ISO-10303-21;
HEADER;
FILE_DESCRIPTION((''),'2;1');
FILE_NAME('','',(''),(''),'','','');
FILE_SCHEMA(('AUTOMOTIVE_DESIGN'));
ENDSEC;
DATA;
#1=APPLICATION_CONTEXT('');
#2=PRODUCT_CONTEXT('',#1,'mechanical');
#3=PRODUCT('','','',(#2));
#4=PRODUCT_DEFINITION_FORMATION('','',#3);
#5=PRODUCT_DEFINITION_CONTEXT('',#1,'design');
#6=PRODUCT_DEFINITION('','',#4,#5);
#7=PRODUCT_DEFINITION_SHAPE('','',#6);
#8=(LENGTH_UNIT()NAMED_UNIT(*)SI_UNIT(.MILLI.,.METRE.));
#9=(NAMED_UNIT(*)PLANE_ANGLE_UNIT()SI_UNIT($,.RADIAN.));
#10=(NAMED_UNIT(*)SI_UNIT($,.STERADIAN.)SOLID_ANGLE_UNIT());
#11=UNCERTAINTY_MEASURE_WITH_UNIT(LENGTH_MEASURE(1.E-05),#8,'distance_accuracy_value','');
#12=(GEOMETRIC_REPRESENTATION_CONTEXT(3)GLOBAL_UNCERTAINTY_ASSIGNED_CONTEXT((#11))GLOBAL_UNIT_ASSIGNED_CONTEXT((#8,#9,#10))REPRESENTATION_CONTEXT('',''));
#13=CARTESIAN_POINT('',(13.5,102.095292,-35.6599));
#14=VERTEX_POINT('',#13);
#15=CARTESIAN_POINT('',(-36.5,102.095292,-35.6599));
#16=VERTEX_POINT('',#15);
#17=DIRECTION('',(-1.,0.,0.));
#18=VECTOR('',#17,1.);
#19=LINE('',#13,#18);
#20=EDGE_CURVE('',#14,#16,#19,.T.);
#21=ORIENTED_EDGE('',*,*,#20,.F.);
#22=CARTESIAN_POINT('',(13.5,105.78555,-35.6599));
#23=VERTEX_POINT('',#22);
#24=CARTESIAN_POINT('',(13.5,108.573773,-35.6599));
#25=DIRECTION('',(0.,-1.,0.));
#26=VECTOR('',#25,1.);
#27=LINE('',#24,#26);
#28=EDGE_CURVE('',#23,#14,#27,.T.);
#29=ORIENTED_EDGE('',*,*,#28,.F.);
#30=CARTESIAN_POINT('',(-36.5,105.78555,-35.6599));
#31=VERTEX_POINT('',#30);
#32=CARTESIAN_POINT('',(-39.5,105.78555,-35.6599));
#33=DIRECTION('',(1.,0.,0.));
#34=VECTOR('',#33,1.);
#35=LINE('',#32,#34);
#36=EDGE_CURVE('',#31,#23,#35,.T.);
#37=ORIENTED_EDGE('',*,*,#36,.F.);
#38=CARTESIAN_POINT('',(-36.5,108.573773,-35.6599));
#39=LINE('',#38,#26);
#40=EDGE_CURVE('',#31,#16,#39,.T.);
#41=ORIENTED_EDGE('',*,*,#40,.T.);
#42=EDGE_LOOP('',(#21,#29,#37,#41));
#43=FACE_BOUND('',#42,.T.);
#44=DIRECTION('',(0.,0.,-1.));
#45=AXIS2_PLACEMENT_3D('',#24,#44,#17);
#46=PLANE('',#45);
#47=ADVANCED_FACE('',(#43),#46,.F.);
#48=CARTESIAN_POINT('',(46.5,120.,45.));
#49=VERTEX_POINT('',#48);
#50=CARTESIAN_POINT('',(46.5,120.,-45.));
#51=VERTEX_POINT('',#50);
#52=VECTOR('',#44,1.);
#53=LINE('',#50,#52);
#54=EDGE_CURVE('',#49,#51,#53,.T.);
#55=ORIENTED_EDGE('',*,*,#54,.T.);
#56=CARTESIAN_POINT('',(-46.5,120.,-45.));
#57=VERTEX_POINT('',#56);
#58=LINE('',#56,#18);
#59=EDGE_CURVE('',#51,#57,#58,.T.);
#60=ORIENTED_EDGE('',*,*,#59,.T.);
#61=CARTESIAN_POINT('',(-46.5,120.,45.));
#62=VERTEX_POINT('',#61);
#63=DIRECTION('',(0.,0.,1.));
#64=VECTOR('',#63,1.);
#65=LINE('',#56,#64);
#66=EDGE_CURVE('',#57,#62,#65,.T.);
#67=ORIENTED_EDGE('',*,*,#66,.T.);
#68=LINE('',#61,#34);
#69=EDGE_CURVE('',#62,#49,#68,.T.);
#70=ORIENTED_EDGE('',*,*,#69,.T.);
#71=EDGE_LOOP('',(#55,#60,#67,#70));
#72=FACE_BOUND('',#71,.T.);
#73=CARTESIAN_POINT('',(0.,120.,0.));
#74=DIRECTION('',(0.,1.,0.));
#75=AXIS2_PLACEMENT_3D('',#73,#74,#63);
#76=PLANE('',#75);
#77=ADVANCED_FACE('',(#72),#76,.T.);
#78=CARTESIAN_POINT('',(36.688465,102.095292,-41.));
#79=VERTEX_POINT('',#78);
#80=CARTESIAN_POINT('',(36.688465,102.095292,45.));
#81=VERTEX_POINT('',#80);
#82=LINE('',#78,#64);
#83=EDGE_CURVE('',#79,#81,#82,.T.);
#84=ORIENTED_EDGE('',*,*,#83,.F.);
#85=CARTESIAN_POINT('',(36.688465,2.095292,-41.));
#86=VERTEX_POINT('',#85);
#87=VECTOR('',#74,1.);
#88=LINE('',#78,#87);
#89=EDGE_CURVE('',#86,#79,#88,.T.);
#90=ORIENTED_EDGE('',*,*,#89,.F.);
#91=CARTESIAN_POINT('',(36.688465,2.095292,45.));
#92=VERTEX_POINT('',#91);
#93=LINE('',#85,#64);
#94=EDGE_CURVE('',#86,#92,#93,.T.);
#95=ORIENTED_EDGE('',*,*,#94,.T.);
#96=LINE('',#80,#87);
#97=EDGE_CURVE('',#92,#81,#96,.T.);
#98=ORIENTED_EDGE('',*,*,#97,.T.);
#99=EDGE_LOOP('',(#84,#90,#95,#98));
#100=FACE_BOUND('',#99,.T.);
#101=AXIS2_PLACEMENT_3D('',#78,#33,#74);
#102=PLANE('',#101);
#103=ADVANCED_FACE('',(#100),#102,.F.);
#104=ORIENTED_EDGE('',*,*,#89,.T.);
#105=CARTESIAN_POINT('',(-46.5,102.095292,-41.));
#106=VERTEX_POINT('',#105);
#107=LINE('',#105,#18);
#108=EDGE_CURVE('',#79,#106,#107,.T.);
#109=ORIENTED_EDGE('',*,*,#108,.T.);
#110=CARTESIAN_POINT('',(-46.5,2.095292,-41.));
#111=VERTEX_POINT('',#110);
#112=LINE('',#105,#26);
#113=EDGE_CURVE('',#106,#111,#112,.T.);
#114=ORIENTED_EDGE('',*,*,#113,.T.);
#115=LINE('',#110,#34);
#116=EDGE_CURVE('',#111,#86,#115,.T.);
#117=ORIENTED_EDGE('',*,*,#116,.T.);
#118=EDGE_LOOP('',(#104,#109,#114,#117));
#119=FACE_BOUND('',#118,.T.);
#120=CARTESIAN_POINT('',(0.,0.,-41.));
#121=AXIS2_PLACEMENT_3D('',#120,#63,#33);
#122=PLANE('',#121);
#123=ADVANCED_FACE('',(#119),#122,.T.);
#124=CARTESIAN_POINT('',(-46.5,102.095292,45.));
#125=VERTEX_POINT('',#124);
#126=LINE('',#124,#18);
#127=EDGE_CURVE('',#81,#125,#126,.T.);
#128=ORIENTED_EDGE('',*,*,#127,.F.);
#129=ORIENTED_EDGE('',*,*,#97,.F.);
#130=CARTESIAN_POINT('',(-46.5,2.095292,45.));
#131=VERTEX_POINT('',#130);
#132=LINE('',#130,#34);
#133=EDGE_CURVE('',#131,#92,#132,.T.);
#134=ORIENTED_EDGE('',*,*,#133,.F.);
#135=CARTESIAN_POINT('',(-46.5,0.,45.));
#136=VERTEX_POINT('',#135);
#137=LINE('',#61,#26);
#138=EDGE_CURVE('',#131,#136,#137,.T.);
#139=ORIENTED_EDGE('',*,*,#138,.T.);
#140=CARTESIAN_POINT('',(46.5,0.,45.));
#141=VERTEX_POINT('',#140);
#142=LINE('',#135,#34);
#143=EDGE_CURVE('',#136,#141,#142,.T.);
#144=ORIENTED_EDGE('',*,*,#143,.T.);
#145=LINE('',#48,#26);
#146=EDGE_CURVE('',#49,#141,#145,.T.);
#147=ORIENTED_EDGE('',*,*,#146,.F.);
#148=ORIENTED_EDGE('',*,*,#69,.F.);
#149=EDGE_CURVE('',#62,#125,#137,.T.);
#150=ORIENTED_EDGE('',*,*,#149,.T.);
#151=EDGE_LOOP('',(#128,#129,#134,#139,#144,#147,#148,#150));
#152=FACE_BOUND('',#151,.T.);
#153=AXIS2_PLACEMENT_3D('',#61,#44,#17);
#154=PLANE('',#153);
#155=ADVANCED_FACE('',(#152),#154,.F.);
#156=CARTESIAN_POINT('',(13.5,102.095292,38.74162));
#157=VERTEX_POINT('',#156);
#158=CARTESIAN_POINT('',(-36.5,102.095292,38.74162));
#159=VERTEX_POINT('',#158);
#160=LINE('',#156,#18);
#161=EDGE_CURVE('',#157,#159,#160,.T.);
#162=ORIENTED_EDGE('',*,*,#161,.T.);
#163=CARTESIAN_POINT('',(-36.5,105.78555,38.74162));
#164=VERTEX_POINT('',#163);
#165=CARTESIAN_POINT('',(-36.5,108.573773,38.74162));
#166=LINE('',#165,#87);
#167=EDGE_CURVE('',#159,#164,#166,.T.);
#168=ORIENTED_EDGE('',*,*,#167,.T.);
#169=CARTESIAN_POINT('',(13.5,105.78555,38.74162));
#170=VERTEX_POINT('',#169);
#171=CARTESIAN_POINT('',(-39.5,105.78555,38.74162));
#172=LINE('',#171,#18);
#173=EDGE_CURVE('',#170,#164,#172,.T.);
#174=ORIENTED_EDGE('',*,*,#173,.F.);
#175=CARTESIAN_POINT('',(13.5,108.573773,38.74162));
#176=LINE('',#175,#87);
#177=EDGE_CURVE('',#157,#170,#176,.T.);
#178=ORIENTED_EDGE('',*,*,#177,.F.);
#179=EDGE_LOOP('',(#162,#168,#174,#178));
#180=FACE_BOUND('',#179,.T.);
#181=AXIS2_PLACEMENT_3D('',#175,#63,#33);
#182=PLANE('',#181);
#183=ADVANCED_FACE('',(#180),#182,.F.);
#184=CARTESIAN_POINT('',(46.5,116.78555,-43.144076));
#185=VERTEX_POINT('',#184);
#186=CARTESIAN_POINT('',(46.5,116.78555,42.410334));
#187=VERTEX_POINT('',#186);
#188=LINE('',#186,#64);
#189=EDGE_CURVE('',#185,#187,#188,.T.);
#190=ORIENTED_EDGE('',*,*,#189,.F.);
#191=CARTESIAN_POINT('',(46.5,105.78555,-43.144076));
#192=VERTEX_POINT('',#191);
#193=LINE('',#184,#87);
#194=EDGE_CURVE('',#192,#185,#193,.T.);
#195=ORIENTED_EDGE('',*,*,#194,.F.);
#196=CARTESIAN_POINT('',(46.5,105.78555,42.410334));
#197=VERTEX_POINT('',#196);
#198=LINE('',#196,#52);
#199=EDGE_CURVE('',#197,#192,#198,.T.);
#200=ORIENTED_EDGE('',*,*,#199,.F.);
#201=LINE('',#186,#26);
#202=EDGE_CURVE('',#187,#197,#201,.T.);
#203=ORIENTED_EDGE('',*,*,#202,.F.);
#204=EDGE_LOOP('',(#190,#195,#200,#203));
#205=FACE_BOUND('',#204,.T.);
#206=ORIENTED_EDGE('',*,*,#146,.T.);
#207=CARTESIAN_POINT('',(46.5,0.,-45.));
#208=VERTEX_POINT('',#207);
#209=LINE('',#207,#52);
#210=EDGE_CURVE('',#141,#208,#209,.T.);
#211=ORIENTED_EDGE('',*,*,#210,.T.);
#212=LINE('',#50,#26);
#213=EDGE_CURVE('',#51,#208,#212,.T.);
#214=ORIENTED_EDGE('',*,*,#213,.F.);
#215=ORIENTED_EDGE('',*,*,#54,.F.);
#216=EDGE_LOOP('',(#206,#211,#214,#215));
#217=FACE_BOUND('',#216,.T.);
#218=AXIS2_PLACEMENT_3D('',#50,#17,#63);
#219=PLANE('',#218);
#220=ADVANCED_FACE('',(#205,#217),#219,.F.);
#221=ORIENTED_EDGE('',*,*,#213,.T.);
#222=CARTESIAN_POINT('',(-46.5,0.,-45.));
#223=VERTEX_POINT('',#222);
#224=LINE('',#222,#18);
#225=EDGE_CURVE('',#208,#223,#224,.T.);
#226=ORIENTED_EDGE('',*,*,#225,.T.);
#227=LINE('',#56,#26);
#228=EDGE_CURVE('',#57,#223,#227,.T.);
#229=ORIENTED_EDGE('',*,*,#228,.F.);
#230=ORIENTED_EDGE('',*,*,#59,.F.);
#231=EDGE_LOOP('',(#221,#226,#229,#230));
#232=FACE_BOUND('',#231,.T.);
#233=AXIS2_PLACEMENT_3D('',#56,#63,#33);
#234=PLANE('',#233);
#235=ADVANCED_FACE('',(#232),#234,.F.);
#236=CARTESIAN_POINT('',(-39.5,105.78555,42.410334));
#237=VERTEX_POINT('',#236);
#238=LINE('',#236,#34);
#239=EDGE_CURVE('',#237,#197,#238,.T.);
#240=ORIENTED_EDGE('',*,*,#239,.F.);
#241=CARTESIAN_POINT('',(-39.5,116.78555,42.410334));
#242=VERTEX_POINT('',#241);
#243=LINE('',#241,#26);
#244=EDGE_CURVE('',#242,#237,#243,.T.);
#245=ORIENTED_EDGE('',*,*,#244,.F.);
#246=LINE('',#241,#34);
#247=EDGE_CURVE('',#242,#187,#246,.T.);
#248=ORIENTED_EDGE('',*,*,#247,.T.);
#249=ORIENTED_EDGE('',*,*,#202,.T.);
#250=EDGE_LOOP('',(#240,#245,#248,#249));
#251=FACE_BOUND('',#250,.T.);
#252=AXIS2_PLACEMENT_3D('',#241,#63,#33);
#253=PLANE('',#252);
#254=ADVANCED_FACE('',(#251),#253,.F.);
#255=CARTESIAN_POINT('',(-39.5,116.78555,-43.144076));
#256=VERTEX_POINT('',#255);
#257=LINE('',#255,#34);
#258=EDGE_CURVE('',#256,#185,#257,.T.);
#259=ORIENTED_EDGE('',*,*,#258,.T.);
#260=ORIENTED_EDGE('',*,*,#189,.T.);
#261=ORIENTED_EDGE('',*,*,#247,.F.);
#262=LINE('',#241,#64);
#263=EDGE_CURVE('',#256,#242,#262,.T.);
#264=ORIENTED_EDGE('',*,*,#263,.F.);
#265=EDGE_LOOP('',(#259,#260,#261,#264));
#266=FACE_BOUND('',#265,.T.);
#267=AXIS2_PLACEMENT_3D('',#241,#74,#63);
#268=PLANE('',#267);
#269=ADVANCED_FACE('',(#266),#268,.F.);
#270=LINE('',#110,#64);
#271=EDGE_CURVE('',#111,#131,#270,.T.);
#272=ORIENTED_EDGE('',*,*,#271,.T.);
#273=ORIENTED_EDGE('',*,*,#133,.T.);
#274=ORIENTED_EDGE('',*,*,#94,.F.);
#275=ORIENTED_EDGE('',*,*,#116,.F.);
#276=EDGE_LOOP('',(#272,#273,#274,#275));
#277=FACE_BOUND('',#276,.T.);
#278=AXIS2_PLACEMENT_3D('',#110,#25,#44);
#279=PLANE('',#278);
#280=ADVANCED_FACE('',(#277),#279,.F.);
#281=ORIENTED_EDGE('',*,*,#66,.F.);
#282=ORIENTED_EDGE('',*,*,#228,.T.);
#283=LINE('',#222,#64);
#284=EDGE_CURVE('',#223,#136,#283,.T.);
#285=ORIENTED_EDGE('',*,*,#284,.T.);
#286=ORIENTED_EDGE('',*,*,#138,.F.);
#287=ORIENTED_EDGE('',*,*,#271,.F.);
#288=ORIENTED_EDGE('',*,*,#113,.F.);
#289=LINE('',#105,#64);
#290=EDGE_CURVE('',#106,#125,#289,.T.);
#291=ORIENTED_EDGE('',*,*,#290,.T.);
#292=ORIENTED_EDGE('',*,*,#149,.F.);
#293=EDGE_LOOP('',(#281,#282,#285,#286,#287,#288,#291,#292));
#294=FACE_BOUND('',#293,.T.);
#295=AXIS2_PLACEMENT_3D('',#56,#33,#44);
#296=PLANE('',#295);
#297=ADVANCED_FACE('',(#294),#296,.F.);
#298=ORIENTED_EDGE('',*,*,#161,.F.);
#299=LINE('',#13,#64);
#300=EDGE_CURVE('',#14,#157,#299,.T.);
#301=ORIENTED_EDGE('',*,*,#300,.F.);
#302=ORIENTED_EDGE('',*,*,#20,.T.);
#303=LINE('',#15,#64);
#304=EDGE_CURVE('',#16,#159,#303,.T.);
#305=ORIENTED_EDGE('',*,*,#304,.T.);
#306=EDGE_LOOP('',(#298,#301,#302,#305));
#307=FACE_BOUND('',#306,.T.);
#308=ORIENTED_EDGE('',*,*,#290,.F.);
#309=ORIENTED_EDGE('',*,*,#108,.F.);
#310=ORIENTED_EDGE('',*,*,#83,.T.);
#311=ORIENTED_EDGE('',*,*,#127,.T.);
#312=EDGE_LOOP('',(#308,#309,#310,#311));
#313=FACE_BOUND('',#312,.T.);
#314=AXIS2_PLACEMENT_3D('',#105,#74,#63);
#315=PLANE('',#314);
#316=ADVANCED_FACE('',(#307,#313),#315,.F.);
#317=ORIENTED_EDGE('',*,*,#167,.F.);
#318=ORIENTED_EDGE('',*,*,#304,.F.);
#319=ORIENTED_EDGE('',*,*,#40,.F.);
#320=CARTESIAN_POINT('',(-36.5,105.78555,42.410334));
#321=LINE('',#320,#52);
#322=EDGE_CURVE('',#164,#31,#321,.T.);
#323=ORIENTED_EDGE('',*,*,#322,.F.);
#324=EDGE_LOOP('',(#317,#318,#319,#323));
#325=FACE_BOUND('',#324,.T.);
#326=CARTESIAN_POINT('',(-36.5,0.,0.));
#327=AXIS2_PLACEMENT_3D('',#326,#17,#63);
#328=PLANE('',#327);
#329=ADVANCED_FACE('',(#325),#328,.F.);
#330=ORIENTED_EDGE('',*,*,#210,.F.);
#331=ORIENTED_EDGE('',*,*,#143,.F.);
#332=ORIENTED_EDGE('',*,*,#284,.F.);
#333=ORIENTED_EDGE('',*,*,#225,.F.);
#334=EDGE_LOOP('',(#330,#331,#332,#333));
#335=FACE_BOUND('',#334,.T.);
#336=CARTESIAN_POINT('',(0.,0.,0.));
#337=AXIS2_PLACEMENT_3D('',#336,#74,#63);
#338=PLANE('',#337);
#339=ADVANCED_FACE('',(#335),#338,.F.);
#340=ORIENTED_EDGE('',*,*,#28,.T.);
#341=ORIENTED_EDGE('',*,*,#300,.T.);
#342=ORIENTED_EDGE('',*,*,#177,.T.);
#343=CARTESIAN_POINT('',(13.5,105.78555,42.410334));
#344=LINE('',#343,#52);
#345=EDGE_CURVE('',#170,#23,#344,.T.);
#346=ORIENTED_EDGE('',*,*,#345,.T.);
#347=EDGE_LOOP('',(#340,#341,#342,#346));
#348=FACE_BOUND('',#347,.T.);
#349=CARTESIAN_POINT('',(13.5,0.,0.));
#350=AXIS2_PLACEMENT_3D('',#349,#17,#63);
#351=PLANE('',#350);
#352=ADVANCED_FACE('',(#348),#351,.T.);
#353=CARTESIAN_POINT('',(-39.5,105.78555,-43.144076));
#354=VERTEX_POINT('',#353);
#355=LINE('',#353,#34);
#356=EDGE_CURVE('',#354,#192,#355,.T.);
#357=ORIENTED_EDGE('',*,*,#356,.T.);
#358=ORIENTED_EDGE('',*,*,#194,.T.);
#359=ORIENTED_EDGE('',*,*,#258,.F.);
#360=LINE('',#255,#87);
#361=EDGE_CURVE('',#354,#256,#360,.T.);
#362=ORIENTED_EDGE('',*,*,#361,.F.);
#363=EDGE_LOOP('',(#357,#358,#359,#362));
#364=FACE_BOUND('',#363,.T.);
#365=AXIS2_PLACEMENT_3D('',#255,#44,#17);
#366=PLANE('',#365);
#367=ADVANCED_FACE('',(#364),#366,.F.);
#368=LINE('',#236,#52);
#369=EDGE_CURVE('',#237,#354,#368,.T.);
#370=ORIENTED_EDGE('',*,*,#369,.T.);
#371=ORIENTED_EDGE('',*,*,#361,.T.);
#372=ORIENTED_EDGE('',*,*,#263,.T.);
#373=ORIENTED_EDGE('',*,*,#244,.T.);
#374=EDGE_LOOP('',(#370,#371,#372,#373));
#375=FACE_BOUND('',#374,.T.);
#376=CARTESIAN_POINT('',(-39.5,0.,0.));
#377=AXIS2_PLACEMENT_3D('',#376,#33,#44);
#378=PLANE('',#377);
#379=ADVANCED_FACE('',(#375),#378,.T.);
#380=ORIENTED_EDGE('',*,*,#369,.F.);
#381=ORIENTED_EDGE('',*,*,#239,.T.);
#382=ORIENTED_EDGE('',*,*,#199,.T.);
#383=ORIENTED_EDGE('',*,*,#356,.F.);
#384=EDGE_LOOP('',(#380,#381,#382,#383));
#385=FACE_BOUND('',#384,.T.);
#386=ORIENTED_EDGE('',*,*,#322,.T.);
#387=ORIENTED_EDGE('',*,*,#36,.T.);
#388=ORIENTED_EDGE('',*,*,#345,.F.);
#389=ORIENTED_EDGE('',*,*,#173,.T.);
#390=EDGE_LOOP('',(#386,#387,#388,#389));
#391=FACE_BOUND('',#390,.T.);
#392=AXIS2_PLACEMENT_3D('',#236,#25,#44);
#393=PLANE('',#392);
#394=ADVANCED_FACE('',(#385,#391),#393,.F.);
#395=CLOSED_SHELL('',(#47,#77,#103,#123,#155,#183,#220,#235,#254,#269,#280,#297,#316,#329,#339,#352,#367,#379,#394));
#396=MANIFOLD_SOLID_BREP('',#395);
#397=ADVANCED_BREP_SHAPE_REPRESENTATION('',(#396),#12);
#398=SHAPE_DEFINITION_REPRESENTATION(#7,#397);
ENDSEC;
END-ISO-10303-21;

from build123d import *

# Parameters (mm, degrees)
SKETCH1_W           = 93
SKETCH1_H           = 90
BOSS_EXTRUDE2_DEPTH = 120
SKETCH4_W           = 83.188465172
SKETCH4_H           = 100
CUT_EXTRUDE2_DEPTH  = 86
SKETCH6_W           = 85.554409806
SKETCH6_H           = 11
CUT_EXTRUDE4_DEPTH  = 86
CUT_EXTRUDE5_START  = -10
SKETCH8_W           = 74.401519334
SKETCH8_H           = 6.478481014
CUT_EXTRUDE5_DEPTH  = 50


with BuildPart() as part:
    # Sketch1 → Boss-Extrude2 (new body)
    with BuildSketch(Plane(origin=(0, 0, 0), x_dir=(1, 0, 0), z_dir=(0, 1, 0))):
        Rectangle(SKETCH1_W, SKETCH1_H)
    extrude(amount=BOSS_EXTRUDE2_DEPTH)

    # Sketch4 → Cut-Extrude2 (cut)
    with BuildSketch(Plane.XY.offset(45)):
        with Locations((-4.905767414, 52.095291963)):
            Rectangle(SKETCH4_W, SKETCH4_H)
    extrude(amount=-CUT_EXTRUDE2_DEPTH, mode=Mode.SUBTRACT)

    # Sketch6 → Cut-Extrude4 (cut)
    with BuildSketch(Plane(origin=(46.5, 0, 0), x_dir=(0, 0, -1), z_dir=(1, 0, 0))):
        with Locations((0.366871397, 111.285550359)):
            Rectangle(SKETCH6_W, SKETCH6_H)
    extrude(amount=-CUT_EXTRUDE4_DEPTH, mode=Mode.SUBTRACT)

    # Sketch8 → Cut-Extrude5 (cut)
    with BuildSketch(Plane.ZY.offset(46.5).offset(CUT_EXTRUDE5_START)):
        with Locations((1.540859868, 105.33453247)):
            Rectangle(SKETCH8_W, SKETCH8_H)
    extrude(amount=-CUT_EXTRUDE5_DEPTH, mode=Mode.SUBTRACT)


solid = part.part
